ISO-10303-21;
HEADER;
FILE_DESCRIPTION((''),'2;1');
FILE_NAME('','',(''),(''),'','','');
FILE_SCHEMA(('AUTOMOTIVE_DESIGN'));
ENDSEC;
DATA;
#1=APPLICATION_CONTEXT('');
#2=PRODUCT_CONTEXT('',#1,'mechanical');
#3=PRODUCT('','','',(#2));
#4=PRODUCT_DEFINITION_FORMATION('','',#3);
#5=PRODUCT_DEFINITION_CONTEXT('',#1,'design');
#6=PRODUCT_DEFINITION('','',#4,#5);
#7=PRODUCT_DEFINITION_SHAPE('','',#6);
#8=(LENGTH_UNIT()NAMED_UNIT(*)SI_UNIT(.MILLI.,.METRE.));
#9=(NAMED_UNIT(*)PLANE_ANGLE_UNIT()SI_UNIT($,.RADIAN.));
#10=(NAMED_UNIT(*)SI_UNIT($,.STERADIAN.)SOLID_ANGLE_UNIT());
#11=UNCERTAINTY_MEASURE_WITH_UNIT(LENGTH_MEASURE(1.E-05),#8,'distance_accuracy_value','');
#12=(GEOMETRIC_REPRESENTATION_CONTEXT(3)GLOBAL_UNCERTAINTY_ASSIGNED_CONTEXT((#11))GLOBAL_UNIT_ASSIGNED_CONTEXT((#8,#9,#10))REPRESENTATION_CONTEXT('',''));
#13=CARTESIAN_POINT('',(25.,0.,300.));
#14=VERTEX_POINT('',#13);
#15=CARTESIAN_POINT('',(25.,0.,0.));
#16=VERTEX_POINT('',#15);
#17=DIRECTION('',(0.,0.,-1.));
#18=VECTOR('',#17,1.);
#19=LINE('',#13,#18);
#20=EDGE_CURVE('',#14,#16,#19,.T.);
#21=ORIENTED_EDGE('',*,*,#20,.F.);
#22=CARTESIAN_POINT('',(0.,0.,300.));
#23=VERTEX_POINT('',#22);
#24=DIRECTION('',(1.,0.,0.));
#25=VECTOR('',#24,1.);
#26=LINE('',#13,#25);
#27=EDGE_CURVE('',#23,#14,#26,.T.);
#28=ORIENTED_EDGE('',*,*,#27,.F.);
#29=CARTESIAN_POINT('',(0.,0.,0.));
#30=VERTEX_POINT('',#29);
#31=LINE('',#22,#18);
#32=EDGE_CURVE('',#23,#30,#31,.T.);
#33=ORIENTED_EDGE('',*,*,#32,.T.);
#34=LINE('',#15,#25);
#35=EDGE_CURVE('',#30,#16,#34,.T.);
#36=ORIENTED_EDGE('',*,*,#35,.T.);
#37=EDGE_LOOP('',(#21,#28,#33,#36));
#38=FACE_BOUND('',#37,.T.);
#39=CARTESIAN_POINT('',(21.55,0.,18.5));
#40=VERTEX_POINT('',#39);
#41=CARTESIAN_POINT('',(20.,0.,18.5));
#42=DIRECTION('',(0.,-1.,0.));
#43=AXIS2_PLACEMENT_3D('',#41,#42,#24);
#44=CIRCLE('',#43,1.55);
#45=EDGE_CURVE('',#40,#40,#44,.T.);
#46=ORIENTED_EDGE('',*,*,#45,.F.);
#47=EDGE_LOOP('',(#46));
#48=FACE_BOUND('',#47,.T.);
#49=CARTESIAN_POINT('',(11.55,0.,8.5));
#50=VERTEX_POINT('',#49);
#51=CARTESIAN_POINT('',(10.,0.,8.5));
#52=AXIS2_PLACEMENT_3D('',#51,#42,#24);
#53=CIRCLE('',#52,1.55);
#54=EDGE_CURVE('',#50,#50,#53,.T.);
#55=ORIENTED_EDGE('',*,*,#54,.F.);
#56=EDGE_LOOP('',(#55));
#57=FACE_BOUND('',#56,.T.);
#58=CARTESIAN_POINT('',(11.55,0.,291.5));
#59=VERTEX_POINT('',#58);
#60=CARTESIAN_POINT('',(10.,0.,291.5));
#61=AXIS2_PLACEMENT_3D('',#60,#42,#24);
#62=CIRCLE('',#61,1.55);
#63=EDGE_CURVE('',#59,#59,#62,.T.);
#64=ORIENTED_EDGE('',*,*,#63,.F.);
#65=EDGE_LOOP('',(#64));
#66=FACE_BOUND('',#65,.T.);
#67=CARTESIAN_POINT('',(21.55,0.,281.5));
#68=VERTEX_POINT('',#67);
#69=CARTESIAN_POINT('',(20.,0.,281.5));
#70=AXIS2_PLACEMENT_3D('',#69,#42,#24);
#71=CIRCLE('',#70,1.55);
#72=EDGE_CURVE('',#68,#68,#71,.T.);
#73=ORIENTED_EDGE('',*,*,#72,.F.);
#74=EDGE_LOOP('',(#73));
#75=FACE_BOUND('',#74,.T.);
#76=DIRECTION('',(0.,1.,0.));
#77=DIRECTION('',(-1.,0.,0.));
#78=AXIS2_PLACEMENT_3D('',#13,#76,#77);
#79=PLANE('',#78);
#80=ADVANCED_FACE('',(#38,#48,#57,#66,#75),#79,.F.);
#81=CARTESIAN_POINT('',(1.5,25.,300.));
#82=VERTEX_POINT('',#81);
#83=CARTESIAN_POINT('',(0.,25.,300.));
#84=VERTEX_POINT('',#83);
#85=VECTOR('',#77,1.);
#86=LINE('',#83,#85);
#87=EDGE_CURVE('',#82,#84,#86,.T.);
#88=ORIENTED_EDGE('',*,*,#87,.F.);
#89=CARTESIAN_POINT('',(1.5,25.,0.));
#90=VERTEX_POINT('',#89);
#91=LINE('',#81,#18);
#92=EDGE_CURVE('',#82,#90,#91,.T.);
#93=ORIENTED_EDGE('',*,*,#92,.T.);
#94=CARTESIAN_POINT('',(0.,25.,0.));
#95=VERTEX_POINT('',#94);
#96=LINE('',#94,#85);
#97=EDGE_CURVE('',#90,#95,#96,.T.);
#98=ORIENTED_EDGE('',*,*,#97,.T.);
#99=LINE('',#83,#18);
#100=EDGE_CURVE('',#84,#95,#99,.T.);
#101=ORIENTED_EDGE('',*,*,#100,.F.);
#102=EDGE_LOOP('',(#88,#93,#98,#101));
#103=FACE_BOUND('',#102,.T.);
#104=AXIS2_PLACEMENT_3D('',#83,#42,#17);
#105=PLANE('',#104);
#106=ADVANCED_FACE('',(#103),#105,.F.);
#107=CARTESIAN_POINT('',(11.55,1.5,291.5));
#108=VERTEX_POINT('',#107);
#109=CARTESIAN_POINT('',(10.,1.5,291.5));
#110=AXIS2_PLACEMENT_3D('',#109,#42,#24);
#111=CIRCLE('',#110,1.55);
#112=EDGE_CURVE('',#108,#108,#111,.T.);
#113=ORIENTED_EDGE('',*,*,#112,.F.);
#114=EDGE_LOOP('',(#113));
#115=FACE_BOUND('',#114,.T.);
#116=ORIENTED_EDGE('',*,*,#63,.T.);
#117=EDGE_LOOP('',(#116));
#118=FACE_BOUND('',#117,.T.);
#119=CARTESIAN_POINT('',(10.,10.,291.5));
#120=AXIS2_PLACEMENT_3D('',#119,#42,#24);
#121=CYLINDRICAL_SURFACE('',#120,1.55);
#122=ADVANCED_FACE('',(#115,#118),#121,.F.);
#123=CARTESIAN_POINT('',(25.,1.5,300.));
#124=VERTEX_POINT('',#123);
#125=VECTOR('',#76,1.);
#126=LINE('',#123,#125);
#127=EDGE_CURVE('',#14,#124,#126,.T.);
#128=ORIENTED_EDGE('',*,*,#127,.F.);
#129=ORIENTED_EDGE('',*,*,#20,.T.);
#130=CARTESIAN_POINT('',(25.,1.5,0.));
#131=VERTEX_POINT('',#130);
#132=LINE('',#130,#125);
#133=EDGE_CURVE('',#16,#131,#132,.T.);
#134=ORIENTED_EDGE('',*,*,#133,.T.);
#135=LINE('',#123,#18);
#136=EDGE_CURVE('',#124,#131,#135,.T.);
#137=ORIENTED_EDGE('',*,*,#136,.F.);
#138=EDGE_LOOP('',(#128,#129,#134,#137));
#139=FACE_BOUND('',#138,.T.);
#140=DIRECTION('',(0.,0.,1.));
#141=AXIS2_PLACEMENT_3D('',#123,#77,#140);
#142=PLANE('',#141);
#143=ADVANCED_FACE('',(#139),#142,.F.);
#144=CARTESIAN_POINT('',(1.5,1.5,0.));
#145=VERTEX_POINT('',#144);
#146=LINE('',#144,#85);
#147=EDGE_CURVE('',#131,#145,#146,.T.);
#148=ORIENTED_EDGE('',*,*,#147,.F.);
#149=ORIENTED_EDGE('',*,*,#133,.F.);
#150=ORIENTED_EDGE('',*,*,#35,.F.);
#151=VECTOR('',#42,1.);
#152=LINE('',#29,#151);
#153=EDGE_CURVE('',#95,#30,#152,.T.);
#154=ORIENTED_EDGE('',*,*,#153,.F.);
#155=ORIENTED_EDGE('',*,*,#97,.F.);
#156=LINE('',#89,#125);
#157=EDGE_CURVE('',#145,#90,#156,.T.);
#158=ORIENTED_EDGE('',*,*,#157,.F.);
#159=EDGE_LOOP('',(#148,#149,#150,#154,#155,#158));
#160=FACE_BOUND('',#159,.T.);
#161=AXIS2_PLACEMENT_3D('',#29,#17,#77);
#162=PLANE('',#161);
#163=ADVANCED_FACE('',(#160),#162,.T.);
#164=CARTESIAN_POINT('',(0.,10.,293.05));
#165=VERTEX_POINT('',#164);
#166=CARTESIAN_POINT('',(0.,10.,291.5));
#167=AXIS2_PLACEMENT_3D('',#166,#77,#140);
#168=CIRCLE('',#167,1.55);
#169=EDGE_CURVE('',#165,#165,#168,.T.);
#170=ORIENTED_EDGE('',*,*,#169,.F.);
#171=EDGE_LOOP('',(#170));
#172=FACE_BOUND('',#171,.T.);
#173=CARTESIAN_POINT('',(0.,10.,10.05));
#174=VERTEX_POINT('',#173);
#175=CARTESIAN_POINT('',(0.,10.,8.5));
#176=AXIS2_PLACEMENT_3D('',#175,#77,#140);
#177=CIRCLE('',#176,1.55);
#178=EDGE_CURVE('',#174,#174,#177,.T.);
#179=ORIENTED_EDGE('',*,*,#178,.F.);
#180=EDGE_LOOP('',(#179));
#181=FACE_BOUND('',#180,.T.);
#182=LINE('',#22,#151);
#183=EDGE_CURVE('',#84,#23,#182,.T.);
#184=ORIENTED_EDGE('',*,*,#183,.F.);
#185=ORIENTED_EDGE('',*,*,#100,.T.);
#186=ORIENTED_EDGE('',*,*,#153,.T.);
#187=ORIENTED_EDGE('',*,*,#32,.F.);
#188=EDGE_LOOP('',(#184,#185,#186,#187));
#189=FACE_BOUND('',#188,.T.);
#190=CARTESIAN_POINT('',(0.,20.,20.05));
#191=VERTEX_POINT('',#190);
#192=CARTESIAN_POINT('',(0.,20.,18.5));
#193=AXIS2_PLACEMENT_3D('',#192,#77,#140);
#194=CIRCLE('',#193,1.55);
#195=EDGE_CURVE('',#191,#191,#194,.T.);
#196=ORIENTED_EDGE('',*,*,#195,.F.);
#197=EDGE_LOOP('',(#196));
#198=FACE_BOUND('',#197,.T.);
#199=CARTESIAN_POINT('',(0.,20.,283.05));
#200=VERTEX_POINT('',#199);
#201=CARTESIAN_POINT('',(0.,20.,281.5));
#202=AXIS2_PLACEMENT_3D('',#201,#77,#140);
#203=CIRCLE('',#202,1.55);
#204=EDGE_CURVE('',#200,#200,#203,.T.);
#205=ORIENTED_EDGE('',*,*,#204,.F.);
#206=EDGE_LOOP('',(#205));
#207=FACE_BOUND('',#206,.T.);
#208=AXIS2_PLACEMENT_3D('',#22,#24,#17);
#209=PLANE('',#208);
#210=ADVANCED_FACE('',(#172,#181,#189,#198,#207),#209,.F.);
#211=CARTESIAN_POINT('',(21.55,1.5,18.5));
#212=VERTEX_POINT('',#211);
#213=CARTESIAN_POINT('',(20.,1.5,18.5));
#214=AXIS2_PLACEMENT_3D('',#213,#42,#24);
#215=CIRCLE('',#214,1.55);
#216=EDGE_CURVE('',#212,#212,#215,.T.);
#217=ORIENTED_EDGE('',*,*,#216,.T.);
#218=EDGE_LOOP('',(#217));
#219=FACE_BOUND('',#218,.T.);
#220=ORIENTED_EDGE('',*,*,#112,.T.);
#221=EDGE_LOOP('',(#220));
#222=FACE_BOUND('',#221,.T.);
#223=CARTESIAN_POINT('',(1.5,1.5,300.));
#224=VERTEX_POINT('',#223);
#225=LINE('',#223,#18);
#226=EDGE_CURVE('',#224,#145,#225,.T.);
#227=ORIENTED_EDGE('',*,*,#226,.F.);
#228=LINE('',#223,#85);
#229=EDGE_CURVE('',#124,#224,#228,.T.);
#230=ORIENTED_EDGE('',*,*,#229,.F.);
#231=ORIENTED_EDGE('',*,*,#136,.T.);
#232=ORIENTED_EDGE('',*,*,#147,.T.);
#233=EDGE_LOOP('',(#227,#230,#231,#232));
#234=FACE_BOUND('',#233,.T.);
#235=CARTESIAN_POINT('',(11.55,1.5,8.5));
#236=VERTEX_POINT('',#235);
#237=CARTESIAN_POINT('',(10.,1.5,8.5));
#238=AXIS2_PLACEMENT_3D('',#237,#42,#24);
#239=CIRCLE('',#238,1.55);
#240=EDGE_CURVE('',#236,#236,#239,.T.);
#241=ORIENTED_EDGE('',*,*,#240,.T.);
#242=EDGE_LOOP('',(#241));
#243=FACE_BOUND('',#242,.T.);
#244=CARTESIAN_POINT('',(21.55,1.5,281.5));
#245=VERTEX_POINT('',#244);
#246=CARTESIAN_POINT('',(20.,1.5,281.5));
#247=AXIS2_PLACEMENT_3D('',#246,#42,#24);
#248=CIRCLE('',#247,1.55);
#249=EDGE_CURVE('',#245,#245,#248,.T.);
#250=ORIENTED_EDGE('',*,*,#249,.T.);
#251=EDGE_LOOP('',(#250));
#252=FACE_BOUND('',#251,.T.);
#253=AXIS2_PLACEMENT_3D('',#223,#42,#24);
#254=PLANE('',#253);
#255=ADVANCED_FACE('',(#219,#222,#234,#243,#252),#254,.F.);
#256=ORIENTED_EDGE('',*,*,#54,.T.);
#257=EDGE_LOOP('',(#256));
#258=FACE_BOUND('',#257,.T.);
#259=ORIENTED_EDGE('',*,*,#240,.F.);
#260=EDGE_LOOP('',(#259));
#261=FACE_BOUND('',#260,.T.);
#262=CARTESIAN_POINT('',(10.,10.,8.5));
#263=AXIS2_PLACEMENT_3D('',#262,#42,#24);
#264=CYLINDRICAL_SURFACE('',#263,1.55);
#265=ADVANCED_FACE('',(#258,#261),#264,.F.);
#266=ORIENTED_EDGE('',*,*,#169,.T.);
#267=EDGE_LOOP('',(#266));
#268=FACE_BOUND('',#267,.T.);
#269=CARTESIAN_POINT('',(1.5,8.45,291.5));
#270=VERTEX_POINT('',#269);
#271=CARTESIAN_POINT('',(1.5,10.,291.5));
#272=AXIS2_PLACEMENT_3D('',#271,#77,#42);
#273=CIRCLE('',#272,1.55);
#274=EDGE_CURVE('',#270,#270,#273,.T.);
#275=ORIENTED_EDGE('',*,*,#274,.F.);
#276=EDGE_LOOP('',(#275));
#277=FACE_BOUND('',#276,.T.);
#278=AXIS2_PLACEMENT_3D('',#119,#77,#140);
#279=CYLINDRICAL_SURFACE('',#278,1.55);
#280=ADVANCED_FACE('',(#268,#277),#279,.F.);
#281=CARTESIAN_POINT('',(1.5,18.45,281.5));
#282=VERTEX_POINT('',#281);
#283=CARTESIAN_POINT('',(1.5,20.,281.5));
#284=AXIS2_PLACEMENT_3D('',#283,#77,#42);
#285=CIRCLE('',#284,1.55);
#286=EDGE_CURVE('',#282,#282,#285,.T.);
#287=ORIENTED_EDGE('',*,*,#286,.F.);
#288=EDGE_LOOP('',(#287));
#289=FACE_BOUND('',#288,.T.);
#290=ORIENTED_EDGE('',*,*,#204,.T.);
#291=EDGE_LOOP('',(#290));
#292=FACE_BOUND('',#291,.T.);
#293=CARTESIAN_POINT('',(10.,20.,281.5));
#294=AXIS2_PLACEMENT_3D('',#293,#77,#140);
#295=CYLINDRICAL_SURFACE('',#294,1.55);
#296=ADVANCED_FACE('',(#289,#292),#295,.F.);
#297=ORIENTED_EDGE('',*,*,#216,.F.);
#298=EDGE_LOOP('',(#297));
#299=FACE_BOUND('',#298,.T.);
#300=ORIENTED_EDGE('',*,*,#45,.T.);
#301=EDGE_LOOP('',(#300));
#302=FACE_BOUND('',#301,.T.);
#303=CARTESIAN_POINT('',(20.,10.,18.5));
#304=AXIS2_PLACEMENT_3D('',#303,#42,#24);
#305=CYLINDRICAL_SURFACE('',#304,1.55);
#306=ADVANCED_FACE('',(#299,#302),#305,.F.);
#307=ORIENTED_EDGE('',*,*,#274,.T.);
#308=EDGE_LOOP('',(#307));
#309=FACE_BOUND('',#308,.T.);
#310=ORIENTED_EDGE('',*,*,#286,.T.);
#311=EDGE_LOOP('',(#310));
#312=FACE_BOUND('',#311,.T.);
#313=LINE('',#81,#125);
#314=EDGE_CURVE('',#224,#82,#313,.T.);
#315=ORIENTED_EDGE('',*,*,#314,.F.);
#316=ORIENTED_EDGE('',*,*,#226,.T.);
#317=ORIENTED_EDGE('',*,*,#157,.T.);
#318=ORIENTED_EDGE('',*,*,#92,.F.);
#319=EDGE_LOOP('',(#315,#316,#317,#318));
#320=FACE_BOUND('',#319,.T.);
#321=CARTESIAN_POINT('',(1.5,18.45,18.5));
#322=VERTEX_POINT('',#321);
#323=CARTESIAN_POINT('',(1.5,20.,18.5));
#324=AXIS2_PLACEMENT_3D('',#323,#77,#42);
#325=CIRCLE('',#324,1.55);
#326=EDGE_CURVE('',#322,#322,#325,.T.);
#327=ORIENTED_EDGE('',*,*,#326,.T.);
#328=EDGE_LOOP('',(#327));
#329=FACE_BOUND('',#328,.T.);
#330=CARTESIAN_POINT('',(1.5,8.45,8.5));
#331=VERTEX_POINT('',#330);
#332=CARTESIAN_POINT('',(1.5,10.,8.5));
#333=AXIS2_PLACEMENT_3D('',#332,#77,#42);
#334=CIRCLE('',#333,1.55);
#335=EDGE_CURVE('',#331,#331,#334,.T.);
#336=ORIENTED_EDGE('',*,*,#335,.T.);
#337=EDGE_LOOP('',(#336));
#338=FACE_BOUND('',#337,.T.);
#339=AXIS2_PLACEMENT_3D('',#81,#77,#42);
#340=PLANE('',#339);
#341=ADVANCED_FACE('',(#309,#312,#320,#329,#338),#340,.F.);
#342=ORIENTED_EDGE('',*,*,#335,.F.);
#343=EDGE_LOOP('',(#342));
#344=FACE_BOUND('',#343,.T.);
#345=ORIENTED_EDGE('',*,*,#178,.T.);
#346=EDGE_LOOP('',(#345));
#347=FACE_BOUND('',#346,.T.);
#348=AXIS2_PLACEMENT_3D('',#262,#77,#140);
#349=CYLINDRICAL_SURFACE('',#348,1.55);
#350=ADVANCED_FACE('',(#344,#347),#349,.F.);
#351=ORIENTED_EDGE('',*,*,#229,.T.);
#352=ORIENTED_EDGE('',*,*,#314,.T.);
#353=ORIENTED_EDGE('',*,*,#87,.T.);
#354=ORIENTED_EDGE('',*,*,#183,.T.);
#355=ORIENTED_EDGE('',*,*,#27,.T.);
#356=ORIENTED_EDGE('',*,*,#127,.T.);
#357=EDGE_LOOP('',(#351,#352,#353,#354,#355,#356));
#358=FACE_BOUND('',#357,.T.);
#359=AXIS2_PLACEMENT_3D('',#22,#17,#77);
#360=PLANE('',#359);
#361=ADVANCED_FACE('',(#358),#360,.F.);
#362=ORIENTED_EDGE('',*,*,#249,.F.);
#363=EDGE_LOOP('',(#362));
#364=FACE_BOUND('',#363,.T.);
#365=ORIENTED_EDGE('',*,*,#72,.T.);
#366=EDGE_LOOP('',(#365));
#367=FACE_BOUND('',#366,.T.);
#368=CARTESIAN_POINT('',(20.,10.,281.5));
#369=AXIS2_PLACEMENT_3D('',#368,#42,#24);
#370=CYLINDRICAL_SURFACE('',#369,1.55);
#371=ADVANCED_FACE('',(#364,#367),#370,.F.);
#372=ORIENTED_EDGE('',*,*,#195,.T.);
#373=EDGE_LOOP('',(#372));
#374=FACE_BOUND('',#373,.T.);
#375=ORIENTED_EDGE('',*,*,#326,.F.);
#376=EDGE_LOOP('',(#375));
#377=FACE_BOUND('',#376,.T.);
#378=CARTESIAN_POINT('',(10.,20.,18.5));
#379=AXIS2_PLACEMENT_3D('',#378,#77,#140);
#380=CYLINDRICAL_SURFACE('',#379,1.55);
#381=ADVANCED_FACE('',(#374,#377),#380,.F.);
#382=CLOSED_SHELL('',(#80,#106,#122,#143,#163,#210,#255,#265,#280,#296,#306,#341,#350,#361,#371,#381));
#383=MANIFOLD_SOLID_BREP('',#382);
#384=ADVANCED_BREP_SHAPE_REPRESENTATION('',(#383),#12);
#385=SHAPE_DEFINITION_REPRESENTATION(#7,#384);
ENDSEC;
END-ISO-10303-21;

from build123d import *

# Parameters (mm, degrees)
BOSS_EXTRUDE1_DEPTH = 300
SKETCH2_R           = 1.55
CUT_EXTRUDE1_DEPTH  = 10
SKETCH3_R           = 1.55
CUT_EXTRUDE2_DEPTH  = 10


with BuildPart() as part:
    # Sketch1 → Boss-Extrude1 (new body)
    with BuildSketch(Plane.XY):
        Polygon((0, 0), (0, 25), (1.5, 25), (1.5, 1.5), (25, 1.5), (25, 0), align=None)
    extrude(amount=BOSS_EXTRUDE1_DEPTH)

    # Sketch2 → Cut-Extrude1 (cut)
    with BuildSketch(Plane.ZY):
        with Locations((281.5, 20)):
            Circle(SKETCH2_R)
        with Locations((291.5, 10)):
            Circle(SKETCH2_R)
        with Locations((18.5, 20)):
            Circle(SKETCH2_R)
        with Locations((8.5, 10)):
            Circle(SKETCH2_R)
    extrude(amount=-CUT_EXTRUDE1_DEPTH, mode=Mode.SUBTRACT)

    # Sketch3 → Cut-Extrude2 (cut)
    with BuildSketch(Plane.XZ):
        with Locations((19.999999996, 281.5)):
            Circle(SKETCH3_R)
        with Locations((9.999999998, 291.5)):
            Circle(SKETCH3_R)
        with Locations((19.999999996, 18.5)):
            Circle(SKETCH3_R)
        with Locations((9.999999998, 8.5)):
            Circle(SKETCH3_R)
    extrude(amount=-CUT_EXTRUDE2_DEPTH, mode=Mode.SUBTRACT)


solid = part.part
